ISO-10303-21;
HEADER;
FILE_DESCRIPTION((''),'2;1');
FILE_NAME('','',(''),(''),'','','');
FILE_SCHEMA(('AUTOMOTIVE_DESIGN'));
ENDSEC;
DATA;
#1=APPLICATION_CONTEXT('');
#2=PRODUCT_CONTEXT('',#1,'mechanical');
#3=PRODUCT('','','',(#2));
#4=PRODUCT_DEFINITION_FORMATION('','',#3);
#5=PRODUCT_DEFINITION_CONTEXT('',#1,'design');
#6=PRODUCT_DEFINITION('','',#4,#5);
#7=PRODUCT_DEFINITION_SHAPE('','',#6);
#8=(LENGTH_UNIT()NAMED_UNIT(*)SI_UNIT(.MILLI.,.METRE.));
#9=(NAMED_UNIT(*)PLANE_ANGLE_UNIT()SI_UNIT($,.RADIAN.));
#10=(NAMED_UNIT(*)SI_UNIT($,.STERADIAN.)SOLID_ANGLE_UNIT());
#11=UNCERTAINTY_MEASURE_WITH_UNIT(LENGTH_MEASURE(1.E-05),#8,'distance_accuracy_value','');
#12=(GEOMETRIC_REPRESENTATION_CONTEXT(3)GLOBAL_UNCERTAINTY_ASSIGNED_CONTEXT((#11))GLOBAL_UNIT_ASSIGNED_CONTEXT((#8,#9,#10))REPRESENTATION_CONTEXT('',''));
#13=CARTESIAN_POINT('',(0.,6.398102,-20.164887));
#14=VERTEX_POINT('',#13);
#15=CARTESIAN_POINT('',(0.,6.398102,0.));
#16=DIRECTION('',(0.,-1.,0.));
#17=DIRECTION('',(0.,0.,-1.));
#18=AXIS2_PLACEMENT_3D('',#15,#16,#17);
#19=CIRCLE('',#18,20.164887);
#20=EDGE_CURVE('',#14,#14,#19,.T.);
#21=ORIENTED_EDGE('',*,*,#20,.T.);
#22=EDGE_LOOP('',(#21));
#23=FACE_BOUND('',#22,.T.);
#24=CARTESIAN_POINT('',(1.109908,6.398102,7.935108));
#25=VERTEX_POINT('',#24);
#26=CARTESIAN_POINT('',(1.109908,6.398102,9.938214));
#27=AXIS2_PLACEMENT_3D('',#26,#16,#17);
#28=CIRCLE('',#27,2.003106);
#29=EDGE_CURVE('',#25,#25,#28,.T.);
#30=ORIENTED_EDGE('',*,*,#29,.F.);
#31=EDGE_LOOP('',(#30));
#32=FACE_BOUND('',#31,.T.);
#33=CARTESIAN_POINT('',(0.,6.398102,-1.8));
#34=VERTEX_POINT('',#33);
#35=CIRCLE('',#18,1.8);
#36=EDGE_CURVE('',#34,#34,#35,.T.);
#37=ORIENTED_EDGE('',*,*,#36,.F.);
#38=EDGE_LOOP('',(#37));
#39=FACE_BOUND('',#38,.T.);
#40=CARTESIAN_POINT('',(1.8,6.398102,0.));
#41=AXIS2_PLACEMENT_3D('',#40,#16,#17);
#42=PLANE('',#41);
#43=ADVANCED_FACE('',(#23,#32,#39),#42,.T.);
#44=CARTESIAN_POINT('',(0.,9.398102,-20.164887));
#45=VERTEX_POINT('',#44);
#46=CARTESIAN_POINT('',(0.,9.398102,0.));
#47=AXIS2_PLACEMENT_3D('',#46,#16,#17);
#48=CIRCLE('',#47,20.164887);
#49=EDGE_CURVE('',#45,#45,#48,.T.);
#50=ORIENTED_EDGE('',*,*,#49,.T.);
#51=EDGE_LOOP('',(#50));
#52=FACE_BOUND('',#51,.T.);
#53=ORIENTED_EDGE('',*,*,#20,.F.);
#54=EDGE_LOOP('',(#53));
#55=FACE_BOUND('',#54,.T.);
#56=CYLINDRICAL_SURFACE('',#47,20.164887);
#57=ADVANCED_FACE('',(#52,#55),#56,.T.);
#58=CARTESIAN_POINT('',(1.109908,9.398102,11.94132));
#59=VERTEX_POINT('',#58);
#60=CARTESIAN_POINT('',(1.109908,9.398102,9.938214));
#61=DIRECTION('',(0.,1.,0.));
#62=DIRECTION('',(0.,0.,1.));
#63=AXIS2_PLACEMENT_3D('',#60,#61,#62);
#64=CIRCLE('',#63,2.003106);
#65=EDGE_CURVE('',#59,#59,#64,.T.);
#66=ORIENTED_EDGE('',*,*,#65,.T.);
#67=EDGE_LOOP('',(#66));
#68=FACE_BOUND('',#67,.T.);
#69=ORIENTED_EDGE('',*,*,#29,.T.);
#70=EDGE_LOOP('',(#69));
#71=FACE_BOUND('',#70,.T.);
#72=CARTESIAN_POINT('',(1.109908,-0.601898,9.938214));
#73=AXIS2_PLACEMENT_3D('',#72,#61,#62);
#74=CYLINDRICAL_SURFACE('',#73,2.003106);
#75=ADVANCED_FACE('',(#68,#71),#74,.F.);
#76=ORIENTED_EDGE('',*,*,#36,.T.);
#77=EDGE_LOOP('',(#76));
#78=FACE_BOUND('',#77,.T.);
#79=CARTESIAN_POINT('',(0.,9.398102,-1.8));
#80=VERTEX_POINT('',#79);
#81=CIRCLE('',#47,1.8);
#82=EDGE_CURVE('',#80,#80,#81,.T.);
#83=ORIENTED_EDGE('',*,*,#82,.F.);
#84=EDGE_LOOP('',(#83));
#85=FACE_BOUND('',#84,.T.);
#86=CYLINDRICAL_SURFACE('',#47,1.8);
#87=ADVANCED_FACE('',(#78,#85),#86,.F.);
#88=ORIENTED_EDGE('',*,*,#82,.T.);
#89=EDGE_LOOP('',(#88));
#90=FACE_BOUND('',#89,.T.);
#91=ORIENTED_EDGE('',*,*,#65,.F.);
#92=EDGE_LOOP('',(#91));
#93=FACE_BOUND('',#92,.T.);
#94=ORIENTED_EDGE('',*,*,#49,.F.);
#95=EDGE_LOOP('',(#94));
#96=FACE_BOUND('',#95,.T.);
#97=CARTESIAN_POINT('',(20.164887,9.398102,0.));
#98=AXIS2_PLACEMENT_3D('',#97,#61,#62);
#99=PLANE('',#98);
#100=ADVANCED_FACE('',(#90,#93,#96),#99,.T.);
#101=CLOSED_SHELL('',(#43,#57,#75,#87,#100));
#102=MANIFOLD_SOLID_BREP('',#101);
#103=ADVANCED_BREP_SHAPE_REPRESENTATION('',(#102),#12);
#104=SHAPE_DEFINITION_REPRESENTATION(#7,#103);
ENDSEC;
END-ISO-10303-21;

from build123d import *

# Parameters (mm, degrees)
SKETCH1_W          = 18.364886743
SKETCH1_H          = 3
SKETCH2_R          = 2.003106167
CUT_EXTRUDE1_DEPTH = 10


with BuildPart() as part:
    # Sketch1 → Revolve1 (revolve)
    with BuildSketch(Plane.XY, mode=Mode.PRIVATE) as revolve1_sk:
        with Locations((10.982443372, 7.898101992)):
            Rectangle(SKETCH1_W, SKETCH1_H)
    revolve(revolve1_sk.sketch.rotate(Axis((0, 9.398101992, 0), (0, -1, 0)), 270), axis=Axis((0, 9.398101992, 0), (0, -1, 0)))

    # Sketch2 → Cut-Extrude1 (cut)
    with BuildSketch(Plane(origin=(0, 9.398101992, 0), x_dir=(1, 0, 0), z_dir=(0, 1, 0))):
        with Locations(Location((1.10990846, -9.938214287, 0), (0, 0, 270))):
            Circle(SKETCH2_R)
    extrude(amount=-CUT_EXTRUDE1_DEPTH, mode=Mode.SUBTRACT)


solid = part.part
